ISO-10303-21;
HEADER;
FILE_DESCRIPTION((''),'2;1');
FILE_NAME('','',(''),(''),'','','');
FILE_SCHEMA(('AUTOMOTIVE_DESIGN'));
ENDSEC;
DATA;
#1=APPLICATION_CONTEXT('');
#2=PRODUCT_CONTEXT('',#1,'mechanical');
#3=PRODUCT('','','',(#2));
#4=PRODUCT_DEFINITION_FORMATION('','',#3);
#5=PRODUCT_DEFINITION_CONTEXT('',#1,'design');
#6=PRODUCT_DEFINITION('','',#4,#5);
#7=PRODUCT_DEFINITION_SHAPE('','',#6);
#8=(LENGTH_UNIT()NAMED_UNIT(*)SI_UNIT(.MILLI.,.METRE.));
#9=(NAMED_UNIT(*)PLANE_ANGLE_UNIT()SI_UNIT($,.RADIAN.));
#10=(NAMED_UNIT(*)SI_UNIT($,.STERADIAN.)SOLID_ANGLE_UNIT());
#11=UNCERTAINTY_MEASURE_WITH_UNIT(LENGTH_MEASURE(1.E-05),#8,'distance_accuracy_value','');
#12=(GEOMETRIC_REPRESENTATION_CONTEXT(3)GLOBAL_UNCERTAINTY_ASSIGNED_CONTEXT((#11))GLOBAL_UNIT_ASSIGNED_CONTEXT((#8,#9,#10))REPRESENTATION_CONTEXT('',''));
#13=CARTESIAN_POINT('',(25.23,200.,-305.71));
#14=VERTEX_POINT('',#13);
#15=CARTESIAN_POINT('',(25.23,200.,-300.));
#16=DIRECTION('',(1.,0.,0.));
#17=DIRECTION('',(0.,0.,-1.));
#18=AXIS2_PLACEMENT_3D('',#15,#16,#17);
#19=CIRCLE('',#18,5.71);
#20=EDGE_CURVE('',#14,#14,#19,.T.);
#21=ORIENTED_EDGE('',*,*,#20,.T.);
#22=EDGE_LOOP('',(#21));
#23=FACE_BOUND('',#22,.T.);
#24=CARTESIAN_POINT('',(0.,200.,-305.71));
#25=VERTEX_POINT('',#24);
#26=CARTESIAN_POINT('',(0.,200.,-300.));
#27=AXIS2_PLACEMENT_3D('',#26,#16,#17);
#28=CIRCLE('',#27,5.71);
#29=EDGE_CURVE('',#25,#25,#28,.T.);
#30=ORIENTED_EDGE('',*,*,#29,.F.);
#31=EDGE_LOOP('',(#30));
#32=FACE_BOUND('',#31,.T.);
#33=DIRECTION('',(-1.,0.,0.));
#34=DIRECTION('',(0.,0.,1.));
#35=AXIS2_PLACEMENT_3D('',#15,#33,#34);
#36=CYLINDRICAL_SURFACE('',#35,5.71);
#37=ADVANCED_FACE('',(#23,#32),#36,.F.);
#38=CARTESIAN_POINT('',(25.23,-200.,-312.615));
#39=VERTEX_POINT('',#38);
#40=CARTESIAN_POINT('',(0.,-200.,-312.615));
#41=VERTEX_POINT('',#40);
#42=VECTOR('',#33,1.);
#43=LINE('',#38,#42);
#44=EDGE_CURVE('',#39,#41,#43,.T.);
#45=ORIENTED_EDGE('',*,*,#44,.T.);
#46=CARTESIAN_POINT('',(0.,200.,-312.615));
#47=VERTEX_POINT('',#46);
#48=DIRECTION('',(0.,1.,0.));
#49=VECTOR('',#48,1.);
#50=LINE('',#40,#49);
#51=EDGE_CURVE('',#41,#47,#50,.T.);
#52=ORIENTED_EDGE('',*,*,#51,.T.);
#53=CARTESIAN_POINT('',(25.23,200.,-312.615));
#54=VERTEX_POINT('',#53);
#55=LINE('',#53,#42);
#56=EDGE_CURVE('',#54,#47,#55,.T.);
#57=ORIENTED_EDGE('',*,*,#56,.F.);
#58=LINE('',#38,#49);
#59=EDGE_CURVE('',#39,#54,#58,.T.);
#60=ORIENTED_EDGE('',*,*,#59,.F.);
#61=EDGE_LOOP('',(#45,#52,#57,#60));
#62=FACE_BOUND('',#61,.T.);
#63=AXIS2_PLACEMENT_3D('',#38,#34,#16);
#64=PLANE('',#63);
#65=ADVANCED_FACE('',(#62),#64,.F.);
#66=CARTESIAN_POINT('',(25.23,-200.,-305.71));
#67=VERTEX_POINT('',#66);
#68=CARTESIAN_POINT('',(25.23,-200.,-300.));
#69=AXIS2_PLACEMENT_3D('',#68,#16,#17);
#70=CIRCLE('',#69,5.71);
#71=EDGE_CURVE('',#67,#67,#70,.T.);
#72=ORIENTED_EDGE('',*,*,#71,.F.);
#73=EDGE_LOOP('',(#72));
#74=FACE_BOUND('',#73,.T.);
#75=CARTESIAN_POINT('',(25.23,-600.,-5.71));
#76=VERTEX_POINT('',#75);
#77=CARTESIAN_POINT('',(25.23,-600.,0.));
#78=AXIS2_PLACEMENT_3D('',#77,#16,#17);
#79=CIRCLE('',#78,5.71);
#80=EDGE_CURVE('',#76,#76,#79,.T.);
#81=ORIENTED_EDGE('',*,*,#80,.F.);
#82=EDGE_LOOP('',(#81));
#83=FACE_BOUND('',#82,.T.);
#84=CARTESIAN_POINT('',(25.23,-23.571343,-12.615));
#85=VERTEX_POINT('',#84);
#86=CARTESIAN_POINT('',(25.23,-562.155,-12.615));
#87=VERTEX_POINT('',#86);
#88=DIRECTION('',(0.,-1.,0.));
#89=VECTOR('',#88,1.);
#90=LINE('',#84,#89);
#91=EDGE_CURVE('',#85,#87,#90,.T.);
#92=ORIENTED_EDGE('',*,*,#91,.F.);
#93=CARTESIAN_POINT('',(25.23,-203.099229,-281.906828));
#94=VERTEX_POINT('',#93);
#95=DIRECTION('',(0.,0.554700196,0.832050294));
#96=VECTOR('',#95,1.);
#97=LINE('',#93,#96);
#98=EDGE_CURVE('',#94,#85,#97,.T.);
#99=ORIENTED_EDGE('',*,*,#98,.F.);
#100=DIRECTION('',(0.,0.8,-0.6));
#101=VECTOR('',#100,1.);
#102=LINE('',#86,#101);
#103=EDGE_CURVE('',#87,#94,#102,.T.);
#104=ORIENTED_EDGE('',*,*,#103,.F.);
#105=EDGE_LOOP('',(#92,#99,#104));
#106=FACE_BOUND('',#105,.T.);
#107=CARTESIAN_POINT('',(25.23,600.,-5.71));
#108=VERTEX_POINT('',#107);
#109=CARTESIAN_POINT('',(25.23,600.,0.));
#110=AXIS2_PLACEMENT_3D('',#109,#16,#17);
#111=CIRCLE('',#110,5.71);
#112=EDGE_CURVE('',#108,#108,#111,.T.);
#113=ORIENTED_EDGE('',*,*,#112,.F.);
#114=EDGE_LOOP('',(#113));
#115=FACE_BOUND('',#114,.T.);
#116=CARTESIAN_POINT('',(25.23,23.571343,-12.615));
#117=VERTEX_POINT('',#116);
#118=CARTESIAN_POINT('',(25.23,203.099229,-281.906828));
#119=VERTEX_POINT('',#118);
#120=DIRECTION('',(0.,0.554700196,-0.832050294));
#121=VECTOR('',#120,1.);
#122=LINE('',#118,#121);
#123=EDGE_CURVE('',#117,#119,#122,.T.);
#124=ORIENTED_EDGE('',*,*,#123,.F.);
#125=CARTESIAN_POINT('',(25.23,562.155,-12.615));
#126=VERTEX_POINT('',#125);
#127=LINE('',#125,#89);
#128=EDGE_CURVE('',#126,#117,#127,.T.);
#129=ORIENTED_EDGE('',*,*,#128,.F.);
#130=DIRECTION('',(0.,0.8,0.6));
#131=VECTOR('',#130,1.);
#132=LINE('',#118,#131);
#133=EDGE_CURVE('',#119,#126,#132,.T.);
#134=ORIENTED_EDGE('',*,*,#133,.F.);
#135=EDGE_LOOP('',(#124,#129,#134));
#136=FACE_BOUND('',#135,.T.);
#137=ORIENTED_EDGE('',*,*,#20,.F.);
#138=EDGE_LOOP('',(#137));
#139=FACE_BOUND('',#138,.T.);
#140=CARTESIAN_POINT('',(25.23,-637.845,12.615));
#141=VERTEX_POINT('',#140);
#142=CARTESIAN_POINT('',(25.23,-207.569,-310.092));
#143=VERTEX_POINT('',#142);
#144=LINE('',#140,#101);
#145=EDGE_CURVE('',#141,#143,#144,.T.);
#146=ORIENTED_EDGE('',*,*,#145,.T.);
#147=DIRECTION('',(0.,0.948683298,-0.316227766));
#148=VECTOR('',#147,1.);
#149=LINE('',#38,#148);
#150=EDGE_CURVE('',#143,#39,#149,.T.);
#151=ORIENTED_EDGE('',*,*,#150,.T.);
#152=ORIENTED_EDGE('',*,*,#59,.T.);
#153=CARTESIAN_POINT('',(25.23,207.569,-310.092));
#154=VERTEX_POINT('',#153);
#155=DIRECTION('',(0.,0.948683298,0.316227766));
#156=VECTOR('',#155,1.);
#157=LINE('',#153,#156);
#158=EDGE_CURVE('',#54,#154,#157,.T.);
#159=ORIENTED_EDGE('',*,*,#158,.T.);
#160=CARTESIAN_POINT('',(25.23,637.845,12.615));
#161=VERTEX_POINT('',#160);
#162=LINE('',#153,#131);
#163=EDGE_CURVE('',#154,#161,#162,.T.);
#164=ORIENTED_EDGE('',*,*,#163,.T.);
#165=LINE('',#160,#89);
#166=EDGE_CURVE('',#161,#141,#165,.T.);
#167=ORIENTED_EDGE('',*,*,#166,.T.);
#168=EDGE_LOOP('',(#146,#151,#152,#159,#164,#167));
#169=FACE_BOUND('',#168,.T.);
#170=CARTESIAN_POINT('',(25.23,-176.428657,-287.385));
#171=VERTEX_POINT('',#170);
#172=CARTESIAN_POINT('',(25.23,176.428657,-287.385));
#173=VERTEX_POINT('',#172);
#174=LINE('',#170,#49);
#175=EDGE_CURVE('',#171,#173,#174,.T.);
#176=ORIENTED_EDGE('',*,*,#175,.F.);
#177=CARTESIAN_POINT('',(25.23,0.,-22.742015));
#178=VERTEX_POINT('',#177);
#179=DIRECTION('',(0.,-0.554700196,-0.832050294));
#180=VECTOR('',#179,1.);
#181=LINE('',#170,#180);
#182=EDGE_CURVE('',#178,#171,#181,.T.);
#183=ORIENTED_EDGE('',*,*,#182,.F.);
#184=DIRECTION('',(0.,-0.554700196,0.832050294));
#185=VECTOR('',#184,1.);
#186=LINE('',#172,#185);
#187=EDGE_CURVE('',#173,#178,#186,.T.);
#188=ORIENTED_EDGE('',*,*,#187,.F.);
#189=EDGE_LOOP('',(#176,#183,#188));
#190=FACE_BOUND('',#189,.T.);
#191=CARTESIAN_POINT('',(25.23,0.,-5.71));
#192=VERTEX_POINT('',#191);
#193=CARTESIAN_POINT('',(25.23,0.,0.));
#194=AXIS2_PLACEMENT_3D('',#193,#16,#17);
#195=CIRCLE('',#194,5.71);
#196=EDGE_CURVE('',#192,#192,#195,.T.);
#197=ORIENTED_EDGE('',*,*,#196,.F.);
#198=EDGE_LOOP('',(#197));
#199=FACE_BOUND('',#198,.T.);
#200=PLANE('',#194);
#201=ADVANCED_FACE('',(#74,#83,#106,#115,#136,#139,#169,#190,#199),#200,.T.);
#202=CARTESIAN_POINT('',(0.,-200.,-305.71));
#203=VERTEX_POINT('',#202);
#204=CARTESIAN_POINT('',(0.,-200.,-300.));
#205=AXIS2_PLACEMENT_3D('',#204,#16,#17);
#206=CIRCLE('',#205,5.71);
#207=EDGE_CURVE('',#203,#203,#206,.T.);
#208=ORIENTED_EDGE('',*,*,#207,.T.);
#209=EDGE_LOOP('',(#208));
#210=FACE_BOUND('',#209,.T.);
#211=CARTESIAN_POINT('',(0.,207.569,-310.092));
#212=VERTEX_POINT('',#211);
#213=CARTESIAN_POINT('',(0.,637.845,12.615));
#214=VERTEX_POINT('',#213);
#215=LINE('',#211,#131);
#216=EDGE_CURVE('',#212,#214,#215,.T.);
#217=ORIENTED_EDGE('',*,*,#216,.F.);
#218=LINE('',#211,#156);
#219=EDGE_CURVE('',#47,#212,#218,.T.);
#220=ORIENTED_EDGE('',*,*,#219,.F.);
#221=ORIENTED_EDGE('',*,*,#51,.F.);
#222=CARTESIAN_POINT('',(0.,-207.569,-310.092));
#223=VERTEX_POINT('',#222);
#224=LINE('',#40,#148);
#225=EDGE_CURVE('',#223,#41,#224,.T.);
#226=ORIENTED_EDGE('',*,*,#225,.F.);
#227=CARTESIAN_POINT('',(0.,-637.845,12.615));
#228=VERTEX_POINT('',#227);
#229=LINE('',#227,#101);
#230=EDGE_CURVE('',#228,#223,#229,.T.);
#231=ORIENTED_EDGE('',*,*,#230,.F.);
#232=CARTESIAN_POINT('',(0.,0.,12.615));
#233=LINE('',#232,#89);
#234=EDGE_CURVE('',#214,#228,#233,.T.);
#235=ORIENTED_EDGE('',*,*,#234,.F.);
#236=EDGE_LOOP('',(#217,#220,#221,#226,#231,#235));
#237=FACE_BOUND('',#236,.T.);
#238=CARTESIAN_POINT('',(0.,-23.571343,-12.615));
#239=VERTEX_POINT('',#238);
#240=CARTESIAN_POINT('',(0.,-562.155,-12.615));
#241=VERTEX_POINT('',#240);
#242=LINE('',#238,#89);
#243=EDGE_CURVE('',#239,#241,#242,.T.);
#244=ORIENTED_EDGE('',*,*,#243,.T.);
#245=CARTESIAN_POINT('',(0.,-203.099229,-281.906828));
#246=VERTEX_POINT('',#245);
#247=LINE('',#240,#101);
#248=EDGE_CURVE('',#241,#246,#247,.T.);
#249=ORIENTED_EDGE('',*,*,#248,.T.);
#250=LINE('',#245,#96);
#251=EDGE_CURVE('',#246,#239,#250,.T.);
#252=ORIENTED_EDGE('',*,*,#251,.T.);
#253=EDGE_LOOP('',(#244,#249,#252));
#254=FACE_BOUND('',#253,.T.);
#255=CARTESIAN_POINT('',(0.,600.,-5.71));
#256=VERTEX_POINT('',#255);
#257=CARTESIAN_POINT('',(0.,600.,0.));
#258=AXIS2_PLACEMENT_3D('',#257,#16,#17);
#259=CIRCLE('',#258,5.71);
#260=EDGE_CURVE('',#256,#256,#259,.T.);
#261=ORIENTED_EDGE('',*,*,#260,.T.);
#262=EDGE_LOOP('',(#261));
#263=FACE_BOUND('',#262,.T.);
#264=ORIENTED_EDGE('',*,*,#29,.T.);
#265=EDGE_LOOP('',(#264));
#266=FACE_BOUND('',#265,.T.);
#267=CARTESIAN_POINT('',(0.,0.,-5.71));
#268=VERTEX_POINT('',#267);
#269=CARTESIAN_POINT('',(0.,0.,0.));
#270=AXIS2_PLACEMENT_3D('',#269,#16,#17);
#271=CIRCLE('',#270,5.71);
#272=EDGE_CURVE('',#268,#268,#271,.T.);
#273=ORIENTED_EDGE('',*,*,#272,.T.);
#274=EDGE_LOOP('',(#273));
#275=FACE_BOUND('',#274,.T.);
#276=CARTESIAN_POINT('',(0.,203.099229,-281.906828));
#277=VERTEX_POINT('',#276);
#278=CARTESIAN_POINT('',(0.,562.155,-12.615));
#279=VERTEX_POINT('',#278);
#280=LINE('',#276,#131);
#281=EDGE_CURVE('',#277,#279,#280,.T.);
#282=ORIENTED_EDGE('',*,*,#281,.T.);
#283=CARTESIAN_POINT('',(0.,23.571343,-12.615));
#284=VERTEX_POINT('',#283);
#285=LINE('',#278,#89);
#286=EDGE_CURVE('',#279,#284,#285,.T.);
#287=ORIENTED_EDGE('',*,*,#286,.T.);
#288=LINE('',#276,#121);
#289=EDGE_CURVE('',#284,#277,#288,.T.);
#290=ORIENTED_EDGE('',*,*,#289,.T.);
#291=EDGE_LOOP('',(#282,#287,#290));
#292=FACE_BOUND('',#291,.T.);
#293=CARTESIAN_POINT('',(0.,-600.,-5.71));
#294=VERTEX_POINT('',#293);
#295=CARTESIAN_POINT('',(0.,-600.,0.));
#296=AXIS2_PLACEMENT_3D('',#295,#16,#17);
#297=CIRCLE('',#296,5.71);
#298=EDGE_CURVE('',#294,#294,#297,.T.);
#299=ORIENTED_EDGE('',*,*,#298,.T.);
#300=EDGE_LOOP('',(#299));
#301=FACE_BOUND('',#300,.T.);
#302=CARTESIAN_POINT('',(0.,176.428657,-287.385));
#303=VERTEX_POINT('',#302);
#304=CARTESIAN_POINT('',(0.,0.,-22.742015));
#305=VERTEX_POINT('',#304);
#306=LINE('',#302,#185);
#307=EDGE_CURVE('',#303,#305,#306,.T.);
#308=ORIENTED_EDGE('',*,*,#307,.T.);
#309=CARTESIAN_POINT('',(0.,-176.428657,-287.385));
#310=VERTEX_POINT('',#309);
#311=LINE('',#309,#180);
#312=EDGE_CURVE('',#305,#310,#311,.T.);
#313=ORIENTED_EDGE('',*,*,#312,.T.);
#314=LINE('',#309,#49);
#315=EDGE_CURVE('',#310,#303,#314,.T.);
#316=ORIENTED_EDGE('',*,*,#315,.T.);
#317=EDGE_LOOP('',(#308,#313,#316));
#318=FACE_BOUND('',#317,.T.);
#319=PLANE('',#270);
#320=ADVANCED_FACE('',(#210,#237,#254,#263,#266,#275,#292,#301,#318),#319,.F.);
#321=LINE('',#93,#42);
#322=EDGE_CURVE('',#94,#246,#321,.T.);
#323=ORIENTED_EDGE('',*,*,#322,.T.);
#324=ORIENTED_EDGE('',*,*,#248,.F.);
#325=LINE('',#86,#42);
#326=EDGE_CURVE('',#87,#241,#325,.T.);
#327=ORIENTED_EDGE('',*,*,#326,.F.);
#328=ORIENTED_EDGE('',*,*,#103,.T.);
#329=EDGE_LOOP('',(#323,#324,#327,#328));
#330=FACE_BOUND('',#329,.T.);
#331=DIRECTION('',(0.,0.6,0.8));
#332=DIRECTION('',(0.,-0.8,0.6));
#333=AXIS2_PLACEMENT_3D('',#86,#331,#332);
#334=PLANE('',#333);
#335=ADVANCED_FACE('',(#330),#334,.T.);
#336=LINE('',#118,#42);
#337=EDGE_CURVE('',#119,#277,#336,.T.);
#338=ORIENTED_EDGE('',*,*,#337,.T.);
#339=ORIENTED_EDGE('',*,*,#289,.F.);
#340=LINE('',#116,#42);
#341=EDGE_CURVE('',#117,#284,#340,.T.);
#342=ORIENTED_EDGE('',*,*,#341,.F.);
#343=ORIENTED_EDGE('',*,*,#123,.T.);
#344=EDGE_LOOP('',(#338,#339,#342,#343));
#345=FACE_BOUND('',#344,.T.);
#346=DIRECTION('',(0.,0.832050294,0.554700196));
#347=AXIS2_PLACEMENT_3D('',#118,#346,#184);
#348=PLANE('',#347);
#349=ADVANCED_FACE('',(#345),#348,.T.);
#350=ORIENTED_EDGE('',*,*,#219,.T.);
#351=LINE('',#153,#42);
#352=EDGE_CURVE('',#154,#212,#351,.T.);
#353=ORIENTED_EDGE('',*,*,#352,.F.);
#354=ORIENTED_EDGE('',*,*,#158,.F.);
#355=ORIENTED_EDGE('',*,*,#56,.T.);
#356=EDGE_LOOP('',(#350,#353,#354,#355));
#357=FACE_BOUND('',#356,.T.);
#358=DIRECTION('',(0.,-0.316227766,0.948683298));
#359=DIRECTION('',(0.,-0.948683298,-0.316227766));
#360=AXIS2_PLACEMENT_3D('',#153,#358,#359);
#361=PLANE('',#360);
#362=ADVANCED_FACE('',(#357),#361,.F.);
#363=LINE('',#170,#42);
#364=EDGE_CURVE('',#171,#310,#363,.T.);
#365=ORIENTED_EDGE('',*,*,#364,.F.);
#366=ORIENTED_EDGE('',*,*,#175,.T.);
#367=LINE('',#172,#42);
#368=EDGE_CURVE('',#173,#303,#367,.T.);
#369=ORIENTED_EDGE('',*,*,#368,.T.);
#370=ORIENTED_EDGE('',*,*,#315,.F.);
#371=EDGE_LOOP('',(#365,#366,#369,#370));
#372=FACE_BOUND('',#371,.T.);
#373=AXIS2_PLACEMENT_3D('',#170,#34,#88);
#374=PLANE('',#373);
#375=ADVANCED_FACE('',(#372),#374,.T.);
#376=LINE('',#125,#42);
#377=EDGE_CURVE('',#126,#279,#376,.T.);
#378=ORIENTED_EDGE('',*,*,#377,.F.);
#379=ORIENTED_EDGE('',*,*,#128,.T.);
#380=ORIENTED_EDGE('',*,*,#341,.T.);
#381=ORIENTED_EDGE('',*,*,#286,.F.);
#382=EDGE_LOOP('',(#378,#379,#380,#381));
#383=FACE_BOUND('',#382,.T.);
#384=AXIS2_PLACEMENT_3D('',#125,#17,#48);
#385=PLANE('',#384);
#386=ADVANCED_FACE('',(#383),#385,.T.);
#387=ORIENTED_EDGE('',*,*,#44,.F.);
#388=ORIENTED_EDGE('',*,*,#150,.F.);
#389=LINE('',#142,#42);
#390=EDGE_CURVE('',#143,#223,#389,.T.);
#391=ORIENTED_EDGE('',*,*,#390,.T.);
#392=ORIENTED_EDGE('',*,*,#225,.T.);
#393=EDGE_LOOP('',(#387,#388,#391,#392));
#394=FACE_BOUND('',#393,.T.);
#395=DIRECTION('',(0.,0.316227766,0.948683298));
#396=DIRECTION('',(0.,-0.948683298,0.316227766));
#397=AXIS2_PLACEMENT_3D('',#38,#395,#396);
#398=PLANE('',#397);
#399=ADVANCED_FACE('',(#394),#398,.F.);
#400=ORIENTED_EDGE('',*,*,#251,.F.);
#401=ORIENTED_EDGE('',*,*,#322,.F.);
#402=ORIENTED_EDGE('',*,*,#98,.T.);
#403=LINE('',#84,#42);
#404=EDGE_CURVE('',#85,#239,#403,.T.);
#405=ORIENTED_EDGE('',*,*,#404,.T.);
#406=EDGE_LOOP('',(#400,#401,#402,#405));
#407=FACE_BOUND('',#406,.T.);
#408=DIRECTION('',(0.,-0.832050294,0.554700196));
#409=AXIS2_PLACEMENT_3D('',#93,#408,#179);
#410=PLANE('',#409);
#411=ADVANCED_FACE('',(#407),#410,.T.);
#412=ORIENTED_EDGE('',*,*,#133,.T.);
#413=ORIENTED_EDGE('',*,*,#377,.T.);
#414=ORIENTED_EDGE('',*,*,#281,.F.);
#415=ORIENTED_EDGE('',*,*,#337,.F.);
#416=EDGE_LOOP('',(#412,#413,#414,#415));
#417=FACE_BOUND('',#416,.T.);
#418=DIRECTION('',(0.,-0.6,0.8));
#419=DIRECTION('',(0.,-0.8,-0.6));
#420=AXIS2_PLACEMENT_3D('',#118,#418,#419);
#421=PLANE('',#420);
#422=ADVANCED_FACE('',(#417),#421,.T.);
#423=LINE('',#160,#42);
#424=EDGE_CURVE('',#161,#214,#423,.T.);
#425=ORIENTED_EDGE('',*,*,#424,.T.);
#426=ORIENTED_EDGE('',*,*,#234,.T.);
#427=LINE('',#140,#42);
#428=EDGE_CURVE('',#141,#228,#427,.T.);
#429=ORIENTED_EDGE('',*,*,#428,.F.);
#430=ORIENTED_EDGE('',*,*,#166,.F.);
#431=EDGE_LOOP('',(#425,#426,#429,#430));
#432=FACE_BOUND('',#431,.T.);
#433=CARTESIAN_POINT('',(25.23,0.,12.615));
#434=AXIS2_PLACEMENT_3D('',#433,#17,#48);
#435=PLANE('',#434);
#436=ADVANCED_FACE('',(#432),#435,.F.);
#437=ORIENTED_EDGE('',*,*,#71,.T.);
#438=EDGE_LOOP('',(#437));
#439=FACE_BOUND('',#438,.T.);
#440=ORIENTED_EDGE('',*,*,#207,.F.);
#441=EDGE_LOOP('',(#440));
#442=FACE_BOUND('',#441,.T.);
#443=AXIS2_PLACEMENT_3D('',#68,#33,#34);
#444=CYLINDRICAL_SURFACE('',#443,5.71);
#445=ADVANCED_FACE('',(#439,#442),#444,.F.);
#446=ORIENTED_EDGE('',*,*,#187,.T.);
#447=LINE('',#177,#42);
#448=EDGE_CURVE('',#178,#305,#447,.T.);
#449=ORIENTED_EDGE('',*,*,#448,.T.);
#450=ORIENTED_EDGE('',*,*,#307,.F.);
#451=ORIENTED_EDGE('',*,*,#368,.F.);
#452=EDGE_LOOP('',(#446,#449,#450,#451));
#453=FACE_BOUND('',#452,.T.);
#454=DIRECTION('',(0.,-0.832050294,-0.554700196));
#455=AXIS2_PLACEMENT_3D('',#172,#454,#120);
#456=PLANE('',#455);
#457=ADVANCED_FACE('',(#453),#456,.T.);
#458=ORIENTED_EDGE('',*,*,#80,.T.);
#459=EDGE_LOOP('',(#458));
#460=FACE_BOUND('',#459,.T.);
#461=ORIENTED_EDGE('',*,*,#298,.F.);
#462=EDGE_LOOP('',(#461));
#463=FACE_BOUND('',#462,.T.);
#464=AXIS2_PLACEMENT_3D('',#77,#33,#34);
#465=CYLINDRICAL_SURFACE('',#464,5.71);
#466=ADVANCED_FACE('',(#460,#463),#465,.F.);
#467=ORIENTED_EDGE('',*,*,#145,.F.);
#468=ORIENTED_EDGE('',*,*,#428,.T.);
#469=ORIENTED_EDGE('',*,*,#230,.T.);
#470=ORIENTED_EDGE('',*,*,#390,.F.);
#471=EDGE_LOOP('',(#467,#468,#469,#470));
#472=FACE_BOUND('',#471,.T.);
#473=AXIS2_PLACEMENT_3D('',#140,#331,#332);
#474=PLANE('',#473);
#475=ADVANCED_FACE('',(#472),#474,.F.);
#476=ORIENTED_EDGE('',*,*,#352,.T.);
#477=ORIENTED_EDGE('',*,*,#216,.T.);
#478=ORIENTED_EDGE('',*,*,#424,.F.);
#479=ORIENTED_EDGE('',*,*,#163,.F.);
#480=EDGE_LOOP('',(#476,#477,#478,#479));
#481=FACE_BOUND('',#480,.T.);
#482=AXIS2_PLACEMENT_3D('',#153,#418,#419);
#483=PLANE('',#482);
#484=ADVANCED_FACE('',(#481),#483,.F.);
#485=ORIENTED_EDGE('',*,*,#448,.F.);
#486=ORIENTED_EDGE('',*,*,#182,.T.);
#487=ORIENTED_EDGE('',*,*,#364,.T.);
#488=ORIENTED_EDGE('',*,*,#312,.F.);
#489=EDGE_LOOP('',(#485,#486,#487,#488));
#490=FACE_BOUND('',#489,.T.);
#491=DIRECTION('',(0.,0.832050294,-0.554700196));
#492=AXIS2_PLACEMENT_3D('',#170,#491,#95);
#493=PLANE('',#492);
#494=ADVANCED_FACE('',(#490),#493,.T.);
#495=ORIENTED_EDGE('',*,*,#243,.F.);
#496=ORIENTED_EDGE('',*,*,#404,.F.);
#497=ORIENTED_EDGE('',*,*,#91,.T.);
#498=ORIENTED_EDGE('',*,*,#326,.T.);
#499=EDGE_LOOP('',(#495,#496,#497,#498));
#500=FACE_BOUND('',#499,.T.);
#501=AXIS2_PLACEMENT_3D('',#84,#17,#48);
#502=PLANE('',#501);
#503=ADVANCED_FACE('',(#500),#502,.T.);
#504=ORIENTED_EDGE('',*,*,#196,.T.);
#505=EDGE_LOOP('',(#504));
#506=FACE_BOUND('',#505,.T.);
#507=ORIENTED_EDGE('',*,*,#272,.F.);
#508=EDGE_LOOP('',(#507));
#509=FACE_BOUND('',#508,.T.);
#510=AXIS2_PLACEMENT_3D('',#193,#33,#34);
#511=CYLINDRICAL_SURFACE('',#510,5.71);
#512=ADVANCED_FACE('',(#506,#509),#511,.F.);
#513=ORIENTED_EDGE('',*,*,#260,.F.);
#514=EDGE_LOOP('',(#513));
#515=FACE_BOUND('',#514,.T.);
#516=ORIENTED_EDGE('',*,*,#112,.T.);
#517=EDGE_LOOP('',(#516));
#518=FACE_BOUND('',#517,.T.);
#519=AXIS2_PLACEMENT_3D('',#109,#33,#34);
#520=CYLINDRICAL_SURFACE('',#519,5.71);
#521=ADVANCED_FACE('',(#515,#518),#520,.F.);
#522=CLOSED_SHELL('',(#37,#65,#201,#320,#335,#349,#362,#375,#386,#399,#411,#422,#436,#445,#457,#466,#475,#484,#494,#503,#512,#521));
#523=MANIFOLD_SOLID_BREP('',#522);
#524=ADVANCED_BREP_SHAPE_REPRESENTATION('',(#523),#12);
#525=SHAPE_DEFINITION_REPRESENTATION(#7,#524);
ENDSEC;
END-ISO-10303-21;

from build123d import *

# Parameters (mm, degrees)
SKETCH1_R           = 5.71
BOSS_EXTRUDE1_DEPTH = 25.23


with BuildPart() as part:
    # Sketch1 → Boss-Extrude1 (new body)
    with BuildSketch(Plane.YZ):
        Polygon((0, 12.615), (-637.845, 12.615), (-207.569, -310.092), (-200, -312.615), (200, -312.615), (207.569, -310.092), (637.845, 12.615), align=None)
        with Locations(Location((-600, 0, 0), (0, 0, 270))):
            Circle(SKETCH1_R, mode=Mode.SUBTRACT)
        with Locations(Location((0, 0, 0), (0, 0, 270))):
            Circle(SKETCH1_R, mode=Mode.SUBTRACT)
        with Locations(Location((-200, -300, 0), (0, 0, 270))):
            Circle(SKETCH1_R, mode=Mode.SUBTRACT)
        with Locations(Location((200, -300, 0), (0, 0, 270))):
            Circle(SKETCH1_R, mode=Mode.SUBTRACT)
        with Locations(Location((600, 0, 0), (0, 0, 270))):
            Circle(SKETCH1_R, mode=Mode.SUBTRACT)
        Polygon((176.428656887, -287.385), (0, -22.74201467), (-176.428656887, -287.385), align=None, mode=Mode.SUBTRACT)
        Polygon((-562.155, -12.615), (-203.099228742, -281.906828443), (-23.571343113, -12.615), align=None, mode=Mode.SUBTRACT)
        Polygon((203.099228742, -281.906828443), (562.155, -12.615), (23.571343113, -12.615), align=None, mode=Mode.SUBTRACT)
    extrude(amount=BOSS_EXTRUDE1_DEPTH)


solid = part.part
